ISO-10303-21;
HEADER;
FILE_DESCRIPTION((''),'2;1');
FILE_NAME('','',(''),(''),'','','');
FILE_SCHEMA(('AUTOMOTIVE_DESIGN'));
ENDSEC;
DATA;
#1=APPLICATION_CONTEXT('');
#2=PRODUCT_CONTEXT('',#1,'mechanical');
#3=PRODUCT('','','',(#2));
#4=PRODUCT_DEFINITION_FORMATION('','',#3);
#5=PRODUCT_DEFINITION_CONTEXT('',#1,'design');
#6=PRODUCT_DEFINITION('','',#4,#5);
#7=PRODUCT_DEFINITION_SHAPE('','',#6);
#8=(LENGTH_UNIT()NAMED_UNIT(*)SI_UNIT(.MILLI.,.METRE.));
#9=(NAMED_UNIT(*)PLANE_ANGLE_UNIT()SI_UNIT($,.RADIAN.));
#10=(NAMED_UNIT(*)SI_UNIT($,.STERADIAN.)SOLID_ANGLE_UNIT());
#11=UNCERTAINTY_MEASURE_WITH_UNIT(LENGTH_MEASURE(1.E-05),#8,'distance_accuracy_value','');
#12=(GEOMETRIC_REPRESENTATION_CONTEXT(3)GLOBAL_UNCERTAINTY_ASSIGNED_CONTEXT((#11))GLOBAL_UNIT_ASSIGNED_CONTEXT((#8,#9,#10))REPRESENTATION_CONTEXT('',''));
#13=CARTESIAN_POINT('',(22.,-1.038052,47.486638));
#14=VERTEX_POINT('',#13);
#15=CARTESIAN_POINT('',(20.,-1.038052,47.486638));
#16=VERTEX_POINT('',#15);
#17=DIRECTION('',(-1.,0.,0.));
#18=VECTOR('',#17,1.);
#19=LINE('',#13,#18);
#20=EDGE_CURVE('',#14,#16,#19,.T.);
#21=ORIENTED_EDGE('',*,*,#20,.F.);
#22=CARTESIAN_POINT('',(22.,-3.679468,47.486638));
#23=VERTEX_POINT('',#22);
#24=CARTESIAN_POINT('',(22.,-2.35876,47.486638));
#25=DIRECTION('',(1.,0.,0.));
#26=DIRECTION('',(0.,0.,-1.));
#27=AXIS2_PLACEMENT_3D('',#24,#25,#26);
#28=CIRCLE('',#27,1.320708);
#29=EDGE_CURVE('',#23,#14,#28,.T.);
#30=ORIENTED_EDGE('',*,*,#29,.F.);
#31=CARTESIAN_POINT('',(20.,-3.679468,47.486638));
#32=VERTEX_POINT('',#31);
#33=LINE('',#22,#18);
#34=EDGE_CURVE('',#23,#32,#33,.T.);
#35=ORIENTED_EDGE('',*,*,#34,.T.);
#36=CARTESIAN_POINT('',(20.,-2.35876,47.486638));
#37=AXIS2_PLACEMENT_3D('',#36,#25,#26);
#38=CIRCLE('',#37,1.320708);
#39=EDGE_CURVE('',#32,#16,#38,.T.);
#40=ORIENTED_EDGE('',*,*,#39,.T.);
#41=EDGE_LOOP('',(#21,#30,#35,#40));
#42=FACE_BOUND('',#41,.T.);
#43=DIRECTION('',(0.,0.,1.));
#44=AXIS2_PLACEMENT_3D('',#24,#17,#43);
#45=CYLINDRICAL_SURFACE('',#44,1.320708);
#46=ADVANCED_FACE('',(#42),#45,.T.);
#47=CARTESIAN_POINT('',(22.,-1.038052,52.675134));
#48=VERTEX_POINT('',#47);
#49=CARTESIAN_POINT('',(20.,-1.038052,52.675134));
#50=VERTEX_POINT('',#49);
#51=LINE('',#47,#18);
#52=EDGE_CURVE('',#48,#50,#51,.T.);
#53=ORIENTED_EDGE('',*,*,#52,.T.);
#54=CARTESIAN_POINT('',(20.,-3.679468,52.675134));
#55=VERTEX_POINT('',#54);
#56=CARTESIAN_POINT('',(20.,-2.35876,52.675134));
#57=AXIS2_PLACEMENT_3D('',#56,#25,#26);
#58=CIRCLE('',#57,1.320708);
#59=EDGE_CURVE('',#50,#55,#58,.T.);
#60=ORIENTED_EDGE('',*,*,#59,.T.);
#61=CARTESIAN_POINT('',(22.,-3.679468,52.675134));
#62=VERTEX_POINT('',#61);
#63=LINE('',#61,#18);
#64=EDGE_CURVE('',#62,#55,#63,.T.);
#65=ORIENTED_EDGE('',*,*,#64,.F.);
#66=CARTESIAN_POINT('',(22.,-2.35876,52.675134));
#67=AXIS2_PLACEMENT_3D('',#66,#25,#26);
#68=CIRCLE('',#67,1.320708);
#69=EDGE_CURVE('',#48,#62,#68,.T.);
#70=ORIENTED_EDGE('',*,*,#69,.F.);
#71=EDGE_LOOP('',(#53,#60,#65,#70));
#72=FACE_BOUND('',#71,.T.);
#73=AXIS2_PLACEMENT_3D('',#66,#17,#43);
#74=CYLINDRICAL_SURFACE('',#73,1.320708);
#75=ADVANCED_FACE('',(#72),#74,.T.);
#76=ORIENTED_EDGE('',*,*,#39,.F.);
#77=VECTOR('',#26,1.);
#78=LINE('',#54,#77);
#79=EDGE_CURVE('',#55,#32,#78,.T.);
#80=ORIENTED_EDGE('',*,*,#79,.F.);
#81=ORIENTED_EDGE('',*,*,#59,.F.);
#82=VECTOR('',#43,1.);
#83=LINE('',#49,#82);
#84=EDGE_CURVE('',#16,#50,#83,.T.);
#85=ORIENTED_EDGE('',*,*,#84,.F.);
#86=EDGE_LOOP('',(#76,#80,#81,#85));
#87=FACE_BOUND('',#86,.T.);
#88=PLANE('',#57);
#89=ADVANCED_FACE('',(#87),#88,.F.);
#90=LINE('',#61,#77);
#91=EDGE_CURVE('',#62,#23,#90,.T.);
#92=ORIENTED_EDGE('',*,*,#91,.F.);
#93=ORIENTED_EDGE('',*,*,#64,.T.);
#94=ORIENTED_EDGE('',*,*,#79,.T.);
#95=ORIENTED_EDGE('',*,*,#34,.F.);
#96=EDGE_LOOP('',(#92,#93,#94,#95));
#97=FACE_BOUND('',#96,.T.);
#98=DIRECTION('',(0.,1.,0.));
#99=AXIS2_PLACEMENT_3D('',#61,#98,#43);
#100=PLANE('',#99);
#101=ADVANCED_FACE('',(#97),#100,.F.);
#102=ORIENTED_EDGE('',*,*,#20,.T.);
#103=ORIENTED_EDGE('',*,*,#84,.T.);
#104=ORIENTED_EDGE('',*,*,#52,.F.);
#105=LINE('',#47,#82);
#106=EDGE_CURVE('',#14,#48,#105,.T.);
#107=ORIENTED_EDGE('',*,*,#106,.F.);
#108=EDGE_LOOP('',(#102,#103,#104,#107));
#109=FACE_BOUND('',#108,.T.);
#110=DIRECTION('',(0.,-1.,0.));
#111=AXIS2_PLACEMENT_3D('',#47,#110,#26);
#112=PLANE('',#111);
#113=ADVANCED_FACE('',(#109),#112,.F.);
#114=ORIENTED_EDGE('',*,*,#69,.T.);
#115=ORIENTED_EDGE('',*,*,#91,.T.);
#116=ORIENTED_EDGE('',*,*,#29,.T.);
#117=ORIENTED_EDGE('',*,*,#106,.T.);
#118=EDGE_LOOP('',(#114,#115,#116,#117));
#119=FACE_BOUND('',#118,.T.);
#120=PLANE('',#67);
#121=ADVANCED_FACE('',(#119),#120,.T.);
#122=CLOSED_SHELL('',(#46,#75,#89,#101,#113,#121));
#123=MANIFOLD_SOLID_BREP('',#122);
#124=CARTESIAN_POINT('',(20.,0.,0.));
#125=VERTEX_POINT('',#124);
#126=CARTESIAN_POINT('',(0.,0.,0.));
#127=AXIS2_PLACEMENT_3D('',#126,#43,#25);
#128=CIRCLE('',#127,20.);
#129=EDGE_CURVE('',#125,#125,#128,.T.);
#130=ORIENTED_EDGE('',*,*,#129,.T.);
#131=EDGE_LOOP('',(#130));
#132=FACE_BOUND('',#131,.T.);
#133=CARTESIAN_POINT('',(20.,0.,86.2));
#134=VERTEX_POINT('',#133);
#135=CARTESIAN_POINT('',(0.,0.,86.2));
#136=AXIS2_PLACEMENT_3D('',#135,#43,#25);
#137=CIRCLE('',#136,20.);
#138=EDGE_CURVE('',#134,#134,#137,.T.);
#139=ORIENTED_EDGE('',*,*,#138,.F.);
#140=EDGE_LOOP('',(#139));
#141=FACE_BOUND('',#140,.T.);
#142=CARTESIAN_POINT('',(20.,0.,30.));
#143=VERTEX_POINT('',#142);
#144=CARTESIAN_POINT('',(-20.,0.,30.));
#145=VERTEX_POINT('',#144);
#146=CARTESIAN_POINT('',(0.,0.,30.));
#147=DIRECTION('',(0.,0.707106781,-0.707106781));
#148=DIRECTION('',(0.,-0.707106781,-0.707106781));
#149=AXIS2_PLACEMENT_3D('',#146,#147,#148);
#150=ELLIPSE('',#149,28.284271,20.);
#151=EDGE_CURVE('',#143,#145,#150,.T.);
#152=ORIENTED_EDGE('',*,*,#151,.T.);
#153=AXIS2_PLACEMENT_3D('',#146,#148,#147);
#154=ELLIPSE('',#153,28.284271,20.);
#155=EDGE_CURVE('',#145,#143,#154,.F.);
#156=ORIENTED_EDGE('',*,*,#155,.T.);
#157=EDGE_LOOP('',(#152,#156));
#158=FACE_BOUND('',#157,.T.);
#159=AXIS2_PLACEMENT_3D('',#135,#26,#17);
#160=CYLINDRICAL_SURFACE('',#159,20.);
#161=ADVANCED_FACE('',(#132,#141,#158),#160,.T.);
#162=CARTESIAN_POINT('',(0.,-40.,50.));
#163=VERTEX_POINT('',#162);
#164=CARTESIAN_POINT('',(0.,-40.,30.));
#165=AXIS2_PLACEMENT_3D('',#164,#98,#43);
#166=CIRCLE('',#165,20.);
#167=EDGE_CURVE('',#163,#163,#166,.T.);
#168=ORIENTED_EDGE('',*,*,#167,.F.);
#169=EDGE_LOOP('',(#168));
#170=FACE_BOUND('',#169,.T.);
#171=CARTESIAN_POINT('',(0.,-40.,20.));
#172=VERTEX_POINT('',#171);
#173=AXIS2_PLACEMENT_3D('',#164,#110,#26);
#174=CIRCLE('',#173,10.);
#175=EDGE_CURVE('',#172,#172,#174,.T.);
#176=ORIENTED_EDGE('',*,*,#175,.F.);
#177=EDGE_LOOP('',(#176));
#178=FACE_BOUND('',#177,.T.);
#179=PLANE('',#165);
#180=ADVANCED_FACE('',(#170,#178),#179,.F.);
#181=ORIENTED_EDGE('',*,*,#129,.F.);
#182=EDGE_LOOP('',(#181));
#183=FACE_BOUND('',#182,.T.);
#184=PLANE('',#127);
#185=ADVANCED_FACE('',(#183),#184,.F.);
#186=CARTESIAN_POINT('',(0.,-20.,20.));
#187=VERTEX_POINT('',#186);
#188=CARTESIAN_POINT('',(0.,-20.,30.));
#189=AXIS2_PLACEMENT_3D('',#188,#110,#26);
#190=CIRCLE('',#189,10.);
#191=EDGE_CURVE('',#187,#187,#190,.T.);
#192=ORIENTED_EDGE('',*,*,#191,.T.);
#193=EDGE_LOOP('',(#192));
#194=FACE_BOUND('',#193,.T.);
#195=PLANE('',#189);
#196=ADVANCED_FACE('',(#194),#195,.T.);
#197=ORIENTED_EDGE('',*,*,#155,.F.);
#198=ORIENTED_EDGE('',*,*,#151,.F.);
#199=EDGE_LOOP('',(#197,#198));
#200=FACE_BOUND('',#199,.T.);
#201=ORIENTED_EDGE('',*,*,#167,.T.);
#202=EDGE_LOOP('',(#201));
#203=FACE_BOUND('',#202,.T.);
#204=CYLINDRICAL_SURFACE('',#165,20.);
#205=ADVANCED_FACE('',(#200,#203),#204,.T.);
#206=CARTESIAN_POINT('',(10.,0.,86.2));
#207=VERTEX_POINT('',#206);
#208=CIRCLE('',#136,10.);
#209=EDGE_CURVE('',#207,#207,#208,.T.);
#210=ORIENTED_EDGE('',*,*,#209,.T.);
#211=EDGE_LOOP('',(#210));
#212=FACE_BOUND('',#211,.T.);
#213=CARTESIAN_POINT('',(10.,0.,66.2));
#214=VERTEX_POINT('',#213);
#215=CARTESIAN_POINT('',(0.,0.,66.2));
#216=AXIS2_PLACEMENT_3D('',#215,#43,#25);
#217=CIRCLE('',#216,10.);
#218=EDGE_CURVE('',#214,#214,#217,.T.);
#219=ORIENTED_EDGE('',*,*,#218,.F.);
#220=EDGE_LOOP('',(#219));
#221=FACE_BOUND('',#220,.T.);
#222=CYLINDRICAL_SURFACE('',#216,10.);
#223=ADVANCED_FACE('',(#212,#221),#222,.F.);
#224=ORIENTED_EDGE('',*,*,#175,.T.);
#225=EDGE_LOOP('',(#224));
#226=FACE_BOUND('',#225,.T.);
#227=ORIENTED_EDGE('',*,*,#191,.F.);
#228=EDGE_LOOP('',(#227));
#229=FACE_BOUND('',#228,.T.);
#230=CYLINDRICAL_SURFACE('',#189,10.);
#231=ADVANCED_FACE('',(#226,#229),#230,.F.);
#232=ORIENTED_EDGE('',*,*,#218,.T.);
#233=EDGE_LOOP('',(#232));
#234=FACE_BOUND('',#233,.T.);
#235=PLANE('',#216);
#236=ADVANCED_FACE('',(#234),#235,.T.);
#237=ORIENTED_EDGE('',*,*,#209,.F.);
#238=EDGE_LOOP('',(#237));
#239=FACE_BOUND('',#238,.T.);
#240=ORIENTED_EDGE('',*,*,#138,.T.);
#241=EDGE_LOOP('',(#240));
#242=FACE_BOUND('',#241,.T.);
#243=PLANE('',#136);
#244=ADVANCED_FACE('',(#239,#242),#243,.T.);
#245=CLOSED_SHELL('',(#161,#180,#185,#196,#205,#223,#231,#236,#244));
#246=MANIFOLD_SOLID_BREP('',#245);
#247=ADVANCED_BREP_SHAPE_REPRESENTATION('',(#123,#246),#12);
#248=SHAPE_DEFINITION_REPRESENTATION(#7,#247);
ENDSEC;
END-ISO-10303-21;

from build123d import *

# Parameters (mm, degrees)
SKETCH1_R           = 20
BOSS_EXTRUDE1_DEPTH = 86.2
SKETCH4_R           = 20
BOSS_EXTRUDE2_DEPTH = 40
SKETCH5_R           = 10
CUT_EXTRUDE1_DEPTH  = 20
SKETCH6_R           = 10
CUT_EXTRUDE2_DEPTH  = 20
BOSS_EXTRUDE3_DEPTH = 2


with BuildPart() as part:
    # Sketch1 → Boss-Extrude1 (new body)
    with BuildSketch(Plane.XY):
        Circle(SKETCH1_R)
    extrude(amount=BOSS_EXTRUDE1_DEPTH)

    # Sketch4 → Boss-Extrude2 (add)
    with BuildSketch(Plane(origin=(0, 0, 0), x_dir=(1, 0, 0), z_dir=(0, 1, 0))):
        with Locations(Location((0, -30, 0), (0, 0, 270))):
            Circle(SKETCH4_R)
    extrude(amount=-BOSS_EXTRUDE2_DEPTH)

    # Sketch5 → Cut-Extrude1 (cut)
    with BuildSketch(Plane.XZ.offset(40)):
        with Locations(Location((0, 30, 0), (0, 0, 270))):
            Circle(SKETCH5_R)
    extrude(amount=-CUT_EXTRUDE1_DEPTH, mode=Mode.SUBTRACT)

    # Sketch6 → Cut-Extrude2 (cut)
    with BuildSketch(Plane.XY.offset(86.2)):
        Circle(SKETCH6_R)
    extrude(amount=-CUT_EXTRUDE2_DEPTH, mode=Mode.SUBTRACT)


with BuildPart() as body_2:
    # Sketch7 → Boss-Extrude3 (new body)
    with BuildSketch(Plane(origin=(20, 0, 0), x_dir=(0, 0, -1), z_dir=(1, 0, 0))):
        with BuildLine():
            Line((-52.675133912, -1.038052004), (-47.486637704, -1.038052004))
            ThreePointArc((-47.486637704, -1.038052004), (-46.165929578, -2.358760129), (-47.486637704, -3.679468255))
            Line((-47.486637704, -3.679468255), (-52.675133912, -3.679468255))
            ThreePointArc((-52.675133912, -3.679468255), (-53.995842038, -2.358760129), (-52.675133912, -1.038052004))
        make_face()
    extrude(amount=BOSS_EXTRUDE3_DEPTH)


solid = Compound([part.part, body_2.part])
